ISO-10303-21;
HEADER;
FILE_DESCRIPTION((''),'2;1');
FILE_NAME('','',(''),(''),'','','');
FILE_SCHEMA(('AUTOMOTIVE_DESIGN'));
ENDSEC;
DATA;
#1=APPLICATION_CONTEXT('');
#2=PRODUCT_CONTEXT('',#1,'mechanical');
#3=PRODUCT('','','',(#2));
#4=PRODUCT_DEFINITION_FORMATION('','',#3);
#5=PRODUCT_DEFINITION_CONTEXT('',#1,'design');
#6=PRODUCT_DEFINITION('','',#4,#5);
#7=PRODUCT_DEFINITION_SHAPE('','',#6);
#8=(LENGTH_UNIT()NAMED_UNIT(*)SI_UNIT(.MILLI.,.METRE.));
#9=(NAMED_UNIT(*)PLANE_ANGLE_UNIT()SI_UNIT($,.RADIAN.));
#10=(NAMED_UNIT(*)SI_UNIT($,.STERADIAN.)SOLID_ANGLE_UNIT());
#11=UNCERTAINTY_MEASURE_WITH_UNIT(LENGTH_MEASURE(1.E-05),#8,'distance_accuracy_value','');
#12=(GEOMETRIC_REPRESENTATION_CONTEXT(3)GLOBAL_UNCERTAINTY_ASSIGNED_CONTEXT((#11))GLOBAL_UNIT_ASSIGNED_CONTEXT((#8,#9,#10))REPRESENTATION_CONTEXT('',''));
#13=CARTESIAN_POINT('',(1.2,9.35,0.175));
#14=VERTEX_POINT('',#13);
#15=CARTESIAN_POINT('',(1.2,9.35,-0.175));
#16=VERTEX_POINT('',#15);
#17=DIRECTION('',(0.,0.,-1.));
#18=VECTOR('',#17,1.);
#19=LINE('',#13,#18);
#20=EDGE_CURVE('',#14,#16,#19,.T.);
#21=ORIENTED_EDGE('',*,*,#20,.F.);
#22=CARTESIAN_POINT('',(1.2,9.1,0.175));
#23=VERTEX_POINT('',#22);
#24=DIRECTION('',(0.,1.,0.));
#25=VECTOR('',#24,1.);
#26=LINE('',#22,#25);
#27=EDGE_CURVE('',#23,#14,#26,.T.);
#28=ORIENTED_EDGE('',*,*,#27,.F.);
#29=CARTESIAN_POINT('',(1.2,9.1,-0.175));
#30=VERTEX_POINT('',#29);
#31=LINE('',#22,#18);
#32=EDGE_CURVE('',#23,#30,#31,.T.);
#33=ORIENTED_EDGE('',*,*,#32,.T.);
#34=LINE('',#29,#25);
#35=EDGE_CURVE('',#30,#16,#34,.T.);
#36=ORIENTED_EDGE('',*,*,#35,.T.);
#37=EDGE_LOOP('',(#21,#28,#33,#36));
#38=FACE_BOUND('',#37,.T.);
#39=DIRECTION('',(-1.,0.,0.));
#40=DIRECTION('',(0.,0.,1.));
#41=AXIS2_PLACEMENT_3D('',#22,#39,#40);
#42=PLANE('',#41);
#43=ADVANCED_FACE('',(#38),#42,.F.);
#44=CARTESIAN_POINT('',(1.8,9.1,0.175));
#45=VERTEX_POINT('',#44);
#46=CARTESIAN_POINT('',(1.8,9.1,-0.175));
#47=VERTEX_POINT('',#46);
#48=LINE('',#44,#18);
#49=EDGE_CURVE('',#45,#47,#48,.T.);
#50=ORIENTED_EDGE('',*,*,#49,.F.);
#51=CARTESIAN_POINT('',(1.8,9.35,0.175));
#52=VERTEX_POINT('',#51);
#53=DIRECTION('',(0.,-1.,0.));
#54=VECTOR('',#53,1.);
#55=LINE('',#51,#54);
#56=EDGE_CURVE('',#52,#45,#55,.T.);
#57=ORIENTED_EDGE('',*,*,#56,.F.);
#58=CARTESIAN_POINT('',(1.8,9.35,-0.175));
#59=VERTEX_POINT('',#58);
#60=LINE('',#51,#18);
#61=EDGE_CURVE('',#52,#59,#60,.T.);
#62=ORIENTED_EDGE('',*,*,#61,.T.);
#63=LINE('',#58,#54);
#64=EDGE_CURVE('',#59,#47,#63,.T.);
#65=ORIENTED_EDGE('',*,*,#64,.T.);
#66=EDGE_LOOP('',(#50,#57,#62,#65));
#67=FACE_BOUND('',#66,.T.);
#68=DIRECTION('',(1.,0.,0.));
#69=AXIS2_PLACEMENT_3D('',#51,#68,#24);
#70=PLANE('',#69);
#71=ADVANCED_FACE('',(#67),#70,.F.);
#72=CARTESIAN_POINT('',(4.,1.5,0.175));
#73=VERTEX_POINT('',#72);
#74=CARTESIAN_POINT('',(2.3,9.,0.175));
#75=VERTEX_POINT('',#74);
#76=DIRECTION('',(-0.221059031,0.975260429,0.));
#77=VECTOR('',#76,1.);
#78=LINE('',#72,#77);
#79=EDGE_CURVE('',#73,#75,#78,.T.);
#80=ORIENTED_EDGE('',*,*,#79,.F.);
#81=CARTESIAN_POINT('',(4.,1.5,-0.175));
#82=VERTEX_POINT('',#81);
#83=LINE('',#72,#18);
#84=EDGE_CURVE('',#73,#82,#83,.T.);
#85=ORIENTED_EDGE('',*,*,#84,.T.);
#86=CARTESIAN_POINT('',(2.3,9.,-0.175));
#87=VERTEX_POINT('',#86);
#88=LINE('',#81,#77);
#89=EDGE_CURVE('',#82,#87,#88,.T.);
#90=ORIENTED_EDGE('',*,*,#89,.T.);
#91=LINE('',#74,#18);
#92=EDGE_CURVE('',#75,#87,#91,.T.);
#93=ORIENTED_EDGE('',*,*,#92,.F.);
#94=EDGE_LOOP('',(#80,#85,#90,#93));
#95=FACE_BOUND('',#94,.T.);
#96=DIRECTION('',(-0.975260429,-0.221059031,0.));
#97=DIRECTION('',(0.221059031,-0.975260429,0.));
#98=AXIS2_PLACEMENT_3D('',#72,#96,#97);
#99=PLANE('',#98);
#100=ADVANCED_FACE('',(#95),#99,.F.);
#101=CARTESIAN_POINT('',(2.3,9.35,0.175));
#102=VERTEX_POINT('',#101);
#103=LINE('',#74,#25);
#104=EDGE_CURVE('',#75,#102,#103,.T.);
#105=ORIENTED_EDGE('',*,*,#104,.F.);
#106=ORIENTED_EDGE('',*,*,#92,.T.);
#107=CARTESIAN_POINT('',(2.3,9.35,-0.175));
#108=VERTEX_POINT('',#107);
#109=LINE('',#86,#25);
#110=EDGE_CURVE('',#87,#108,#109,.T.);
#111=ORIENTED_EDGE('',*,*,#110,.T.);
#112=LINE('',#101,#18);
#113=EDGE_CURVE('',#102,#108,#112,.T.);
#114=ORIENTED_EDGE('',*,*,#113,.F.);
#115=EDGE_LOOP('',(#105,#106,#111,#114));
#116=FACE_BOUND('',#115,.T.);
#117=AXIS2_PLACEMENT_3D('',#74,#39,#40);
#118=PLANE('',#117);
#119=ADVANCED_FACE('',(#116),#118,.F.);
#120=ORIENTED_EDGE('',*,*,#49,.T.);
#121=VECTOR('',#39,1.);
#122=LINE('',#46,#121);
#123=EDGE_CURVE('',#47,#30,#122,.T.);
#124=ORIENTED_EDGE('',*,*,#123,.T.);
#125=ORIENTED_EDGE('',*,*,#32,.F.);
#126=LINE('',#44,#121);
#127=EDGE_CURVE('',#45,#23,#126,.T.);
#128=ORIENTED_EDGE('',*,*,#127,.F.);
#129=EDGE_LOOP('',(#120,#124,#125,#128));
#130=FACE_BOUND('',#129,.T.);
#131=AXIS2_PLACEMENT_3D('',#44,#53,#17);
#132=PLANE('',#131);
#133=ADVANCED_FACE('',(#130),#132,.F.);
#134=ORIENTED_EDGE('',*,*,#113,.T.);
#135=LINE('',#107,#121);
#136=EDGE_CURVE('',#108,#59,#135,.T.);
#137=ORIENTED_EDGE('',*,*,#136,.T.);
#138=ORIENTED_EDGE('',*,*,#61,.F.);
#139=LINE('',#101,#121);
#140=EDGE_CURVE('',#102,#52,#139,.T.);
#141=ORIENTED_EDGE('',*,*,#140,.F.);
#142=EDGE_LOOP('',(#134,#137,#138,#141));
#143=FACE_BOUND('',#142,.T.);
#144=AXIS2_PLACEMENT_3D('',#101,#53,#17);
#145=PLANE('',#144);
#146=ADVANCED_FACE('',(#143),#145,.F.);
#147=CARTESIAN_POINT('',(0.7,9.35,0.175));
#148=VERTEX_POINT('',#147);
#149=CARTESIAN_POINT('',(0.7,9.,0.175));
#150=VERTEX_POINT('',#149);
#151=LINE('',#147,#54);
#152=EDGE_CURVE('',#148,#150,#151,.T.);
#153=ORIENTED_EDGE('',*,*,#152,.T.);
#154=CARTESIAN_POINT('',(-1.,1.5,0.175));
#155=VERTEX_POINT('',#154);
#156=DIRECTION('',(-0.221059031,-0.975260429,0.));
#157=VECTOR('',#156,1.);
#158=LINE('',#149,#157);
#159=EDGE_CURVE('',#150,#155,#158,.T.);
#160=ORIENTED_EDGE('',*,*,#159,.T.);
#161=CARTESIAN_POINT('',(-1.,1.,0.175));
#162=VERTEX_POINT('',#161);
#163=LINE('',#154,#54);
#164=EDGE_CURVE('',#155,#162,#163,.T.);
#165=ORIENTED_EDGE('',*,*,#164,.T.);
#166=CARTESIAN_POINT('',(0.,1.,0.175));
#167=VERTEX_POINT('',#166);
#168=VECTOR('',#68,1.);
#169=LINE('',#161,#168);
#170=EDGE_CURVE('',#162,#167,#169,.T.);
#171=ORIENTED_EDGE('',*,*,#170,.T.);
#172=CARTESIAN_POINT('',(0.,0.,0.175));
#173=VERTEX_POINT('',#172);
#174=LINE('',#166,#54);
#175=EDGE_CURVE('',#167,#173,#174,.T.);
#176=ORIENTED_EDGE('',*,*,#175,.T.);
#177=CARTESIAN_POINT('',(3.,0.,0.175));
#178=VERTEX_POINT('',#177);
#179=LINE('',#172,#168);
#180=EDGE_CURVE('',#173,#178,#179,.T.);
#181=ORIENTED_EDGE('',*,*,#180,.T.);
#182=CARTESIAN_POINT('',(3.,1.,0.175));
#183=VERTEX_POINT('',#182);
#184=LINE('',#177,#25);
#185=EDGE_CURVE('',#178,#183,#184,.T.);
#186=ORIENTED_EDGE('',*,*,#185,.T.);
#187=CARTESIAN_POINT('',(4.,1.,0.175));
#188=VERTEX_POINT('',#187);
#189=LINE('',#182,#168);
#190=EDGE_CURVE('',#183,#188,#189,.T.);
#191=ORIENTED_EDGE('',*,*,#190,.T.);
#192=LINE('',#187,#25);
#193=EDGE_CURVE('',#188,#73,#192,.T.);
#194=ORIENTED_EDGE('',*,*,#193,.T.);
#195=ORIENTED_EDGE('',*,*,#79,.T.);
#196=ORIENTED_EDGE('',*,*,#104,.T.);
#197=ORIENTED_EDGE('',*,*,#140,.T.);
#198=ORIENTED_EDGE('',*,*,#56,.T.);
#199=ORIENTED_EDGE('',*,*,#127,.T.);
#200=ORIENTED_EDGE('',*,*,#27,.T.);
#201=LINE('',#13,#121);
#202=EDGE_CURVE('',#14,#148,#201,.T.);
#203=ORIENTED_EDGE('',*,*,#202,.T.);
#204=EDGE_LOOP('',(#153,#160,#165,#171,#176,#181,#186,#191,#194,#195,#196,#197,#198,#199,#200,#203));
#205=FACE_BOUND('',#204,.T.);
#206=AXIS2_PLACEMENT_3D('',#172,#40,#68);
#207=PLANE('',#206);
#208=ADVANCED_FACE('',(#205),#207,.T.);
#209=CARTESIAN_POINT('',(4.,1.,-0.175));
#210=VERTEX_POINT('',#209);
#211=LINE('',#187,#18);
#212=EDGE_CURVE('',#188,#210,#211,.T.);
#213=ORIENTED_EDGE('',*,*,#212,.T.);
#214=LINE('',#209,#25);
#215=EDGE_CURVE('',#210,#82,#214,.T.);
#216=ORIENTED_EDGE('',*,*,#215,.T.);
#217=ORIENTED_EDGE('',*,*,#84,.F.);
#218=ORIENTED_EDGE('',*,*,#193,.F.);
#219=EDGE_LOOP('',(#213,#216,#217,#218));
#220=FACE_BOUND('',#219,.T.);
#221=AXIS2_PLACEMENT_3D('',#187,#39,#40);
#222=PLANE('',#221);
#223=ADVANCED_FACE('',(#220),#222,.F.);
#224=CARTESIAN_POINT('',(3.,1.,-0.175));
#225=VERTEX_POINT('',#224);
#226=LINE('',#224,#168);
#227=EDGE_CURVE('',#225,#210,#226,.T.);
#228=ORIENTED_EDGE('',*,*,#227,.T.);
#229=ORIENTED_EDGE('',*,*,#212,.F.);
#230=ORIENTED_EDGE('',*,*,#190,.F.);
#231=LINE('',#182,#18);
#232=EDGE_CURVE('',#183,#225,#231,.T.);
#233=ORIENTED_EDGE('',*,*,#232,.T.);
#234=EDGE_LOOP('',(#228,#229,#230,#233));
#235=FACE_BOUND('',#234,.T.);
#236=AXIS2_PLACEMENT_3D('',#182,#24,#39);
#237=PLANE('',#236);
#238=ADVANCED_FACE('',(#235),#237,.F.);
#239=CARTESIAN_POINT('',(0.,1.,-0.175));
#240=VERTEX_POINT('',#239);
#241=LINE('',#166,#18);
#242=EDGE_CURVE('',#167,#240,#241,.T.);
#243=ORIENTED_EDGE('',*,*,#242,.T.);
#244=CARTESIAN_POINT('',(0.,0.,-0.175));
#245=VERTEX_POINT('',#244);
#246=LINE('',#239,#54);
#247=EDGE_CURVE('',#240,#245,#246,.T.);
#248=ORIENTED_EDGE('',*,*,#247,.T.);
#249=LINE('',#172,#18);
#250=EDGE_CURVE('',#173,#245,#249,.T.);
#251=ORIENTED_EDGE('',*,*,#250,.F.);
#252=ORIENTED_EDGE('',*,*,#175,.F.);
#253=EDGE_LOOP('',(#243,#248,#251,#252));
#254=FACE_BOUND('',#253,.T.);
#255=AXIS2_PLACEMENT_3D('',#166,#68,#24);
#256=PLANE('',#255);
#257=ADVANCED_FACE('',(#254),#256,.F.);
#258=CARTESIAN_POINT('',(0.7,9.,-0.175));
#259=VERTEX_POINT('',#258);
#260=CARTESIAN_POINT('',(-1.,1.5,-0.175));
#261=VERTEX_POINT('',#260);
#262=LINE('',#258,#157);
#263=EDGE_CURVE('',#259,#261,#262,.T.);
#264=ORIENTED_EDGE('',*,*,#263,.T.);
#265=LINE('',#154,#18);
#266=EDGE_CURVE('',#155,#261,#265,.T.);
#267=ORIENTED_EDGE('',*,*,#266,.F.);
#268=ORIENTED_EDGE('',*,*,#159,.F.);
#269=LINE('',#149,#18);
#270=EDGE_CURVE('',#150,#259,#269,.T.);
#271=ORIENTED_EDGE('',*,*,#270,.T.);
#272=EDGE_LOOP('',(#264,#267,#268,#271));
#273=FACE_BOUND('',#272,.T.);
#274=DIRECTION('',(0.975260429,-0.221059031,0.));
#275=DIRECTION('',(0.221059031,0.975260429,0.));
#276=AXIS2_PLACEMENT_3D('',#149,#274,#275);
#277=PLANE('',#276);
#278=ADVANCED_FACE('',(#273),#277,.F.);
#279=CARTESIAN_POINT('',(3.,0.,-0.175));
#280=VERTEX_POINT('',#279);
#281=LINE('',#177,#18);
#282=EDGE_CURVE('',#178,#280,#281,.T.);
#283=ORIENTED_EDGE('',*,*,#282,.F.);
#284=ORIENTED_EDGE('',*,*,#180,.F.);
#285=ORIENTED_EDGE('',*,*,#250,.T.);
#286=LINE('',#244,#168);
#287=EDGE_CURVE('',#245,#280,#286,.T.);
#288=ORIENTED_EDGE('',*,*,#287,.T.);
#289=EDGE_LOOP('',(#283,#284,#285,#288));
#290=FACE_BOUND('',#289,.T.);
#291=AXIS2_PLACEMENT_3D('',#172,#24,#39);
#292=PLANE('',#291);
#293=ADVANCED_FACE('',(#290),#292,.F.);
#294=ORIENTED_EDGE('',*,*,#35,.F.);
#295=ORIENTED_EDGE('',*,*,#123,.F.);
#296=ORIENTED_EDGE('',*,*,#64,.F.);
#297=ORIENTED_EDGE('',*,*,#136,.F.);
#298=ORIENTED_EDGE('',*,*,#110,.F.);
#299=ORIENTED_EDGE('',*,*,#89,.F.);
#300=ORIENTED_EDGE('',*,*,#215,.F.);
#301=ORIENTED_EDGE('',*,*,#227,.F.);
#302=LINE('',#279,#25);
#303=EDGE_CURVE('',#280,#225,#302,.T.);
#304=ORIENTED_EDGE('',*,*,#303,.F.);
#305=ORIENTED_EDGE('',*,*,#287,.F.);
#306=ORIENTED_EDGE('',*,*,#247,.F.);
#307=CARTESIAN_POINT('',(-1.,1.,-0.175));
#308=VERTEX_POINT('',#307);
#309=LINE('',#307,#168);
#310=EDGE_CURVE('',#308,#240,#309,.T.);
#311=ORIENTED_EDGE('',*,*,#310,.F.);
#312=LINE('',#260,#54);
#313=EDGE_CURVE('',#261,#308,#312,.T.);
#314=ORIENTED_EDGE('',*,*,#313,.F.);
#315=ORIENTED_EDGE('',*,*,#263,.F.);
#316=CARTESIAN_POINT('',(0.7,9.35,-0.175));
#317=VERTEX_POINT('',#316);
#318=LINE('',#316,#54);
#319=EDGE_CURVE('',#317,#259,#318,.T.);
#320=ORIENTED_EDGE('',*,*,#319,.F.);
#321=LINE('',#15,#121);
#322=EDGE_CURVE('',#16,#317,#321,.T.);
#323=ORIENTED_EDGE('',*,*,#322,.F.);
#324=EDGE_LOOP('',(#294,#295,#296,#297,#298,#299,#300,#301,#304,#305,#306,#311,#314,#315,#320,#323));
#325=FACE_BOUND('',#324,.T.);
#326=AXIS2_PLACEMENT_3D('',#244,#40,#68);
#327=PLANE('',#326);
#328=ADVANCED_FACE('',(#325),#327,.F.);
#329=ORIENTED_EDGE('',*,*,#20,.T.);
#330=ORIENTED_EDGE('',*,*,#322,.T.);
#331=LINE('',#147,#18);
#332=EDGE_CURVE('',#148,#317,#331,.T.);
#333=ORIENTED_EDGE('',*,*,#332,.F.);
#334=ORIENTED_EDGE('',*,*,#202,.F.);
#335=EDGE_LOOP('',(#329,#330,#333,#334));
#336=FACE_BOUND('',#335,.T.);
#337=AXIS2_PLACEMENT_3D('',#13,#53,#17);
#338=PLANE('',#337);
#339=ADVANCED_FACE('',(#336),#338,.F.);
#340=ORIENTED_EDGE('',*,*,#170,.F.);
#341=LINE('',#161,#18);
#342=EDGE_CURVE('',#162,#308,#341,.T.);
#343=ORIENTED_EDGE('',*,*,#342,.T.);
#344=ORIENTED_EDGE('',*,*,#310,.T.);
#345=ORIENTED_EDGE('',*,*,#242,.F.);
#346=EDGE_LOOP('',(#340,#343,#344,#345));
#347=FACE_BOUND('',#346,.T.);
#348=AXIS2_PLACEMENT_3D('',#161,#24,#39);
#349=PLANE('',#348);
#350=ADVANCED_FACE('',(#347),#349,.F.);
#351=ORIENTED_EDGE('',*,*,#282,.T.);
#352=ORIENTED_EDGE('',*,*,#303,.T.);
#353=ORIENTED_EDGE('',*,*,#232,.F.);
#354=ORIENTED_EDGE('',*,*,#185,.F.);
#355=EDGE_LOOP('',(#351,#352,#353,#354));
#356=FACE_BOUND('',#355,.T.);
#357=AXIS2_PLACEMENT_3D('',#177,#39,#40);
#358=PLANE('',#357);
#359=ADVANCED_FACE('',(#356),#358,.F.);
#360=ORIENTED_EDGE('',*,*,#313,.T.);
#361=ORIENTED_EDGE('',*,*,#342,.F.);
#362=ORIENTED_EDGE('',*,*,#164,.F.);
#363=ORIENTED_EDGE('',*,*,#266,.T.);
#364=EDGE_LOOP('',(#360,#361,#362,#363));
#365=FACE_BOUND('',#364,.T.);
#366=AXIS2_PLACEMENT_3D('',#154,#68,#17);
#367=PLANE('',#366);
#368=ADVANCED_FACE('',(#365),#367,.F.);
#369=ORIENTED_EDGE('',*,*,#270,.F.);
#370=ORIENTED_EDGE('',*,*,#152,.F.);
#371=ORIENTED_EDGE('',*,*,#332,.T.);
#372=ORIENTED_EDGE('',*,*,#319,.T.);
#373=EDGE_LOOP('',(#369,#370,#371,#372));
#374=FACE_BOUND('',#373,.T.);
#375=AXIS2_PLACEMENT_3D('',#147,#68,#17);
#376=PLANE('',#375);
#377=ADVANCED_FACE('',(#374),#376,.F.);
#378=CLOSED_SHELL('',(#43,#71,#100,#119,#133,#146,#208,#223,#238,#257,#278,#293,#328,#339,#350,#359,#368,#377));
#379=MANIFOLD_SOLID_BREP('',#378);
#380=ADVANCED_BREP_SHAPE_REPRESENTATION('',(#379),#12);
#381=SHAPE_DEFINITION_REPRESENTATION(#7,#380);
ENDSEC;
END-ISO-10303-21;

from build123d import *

# Parameters (mm, degrees)
BOSS_EXTRUDE1_DEPTH = 0.175


with BuildPart() as part:
    # frame_outline → Boss-Extrude1 (new, symmetric)
    with BuildSketch(Plane.XY):
        Polygon((0, 0), (3, 0), (3, 1), (4, 1), (4, 1.5), (2.3, 9), (2.3, 9.35), (1.8, 9.35), (1.8, 9.1), (1.2, 9.1), (1.2, 9.35), (0.7, 9.35), (0.7, 9), (-1, 1.5), (-1, 1), (0, 1), align=None)
    extrude(amount=BOSS_EXTRUDE1_DEPTH, both=True)


solid = part.part
